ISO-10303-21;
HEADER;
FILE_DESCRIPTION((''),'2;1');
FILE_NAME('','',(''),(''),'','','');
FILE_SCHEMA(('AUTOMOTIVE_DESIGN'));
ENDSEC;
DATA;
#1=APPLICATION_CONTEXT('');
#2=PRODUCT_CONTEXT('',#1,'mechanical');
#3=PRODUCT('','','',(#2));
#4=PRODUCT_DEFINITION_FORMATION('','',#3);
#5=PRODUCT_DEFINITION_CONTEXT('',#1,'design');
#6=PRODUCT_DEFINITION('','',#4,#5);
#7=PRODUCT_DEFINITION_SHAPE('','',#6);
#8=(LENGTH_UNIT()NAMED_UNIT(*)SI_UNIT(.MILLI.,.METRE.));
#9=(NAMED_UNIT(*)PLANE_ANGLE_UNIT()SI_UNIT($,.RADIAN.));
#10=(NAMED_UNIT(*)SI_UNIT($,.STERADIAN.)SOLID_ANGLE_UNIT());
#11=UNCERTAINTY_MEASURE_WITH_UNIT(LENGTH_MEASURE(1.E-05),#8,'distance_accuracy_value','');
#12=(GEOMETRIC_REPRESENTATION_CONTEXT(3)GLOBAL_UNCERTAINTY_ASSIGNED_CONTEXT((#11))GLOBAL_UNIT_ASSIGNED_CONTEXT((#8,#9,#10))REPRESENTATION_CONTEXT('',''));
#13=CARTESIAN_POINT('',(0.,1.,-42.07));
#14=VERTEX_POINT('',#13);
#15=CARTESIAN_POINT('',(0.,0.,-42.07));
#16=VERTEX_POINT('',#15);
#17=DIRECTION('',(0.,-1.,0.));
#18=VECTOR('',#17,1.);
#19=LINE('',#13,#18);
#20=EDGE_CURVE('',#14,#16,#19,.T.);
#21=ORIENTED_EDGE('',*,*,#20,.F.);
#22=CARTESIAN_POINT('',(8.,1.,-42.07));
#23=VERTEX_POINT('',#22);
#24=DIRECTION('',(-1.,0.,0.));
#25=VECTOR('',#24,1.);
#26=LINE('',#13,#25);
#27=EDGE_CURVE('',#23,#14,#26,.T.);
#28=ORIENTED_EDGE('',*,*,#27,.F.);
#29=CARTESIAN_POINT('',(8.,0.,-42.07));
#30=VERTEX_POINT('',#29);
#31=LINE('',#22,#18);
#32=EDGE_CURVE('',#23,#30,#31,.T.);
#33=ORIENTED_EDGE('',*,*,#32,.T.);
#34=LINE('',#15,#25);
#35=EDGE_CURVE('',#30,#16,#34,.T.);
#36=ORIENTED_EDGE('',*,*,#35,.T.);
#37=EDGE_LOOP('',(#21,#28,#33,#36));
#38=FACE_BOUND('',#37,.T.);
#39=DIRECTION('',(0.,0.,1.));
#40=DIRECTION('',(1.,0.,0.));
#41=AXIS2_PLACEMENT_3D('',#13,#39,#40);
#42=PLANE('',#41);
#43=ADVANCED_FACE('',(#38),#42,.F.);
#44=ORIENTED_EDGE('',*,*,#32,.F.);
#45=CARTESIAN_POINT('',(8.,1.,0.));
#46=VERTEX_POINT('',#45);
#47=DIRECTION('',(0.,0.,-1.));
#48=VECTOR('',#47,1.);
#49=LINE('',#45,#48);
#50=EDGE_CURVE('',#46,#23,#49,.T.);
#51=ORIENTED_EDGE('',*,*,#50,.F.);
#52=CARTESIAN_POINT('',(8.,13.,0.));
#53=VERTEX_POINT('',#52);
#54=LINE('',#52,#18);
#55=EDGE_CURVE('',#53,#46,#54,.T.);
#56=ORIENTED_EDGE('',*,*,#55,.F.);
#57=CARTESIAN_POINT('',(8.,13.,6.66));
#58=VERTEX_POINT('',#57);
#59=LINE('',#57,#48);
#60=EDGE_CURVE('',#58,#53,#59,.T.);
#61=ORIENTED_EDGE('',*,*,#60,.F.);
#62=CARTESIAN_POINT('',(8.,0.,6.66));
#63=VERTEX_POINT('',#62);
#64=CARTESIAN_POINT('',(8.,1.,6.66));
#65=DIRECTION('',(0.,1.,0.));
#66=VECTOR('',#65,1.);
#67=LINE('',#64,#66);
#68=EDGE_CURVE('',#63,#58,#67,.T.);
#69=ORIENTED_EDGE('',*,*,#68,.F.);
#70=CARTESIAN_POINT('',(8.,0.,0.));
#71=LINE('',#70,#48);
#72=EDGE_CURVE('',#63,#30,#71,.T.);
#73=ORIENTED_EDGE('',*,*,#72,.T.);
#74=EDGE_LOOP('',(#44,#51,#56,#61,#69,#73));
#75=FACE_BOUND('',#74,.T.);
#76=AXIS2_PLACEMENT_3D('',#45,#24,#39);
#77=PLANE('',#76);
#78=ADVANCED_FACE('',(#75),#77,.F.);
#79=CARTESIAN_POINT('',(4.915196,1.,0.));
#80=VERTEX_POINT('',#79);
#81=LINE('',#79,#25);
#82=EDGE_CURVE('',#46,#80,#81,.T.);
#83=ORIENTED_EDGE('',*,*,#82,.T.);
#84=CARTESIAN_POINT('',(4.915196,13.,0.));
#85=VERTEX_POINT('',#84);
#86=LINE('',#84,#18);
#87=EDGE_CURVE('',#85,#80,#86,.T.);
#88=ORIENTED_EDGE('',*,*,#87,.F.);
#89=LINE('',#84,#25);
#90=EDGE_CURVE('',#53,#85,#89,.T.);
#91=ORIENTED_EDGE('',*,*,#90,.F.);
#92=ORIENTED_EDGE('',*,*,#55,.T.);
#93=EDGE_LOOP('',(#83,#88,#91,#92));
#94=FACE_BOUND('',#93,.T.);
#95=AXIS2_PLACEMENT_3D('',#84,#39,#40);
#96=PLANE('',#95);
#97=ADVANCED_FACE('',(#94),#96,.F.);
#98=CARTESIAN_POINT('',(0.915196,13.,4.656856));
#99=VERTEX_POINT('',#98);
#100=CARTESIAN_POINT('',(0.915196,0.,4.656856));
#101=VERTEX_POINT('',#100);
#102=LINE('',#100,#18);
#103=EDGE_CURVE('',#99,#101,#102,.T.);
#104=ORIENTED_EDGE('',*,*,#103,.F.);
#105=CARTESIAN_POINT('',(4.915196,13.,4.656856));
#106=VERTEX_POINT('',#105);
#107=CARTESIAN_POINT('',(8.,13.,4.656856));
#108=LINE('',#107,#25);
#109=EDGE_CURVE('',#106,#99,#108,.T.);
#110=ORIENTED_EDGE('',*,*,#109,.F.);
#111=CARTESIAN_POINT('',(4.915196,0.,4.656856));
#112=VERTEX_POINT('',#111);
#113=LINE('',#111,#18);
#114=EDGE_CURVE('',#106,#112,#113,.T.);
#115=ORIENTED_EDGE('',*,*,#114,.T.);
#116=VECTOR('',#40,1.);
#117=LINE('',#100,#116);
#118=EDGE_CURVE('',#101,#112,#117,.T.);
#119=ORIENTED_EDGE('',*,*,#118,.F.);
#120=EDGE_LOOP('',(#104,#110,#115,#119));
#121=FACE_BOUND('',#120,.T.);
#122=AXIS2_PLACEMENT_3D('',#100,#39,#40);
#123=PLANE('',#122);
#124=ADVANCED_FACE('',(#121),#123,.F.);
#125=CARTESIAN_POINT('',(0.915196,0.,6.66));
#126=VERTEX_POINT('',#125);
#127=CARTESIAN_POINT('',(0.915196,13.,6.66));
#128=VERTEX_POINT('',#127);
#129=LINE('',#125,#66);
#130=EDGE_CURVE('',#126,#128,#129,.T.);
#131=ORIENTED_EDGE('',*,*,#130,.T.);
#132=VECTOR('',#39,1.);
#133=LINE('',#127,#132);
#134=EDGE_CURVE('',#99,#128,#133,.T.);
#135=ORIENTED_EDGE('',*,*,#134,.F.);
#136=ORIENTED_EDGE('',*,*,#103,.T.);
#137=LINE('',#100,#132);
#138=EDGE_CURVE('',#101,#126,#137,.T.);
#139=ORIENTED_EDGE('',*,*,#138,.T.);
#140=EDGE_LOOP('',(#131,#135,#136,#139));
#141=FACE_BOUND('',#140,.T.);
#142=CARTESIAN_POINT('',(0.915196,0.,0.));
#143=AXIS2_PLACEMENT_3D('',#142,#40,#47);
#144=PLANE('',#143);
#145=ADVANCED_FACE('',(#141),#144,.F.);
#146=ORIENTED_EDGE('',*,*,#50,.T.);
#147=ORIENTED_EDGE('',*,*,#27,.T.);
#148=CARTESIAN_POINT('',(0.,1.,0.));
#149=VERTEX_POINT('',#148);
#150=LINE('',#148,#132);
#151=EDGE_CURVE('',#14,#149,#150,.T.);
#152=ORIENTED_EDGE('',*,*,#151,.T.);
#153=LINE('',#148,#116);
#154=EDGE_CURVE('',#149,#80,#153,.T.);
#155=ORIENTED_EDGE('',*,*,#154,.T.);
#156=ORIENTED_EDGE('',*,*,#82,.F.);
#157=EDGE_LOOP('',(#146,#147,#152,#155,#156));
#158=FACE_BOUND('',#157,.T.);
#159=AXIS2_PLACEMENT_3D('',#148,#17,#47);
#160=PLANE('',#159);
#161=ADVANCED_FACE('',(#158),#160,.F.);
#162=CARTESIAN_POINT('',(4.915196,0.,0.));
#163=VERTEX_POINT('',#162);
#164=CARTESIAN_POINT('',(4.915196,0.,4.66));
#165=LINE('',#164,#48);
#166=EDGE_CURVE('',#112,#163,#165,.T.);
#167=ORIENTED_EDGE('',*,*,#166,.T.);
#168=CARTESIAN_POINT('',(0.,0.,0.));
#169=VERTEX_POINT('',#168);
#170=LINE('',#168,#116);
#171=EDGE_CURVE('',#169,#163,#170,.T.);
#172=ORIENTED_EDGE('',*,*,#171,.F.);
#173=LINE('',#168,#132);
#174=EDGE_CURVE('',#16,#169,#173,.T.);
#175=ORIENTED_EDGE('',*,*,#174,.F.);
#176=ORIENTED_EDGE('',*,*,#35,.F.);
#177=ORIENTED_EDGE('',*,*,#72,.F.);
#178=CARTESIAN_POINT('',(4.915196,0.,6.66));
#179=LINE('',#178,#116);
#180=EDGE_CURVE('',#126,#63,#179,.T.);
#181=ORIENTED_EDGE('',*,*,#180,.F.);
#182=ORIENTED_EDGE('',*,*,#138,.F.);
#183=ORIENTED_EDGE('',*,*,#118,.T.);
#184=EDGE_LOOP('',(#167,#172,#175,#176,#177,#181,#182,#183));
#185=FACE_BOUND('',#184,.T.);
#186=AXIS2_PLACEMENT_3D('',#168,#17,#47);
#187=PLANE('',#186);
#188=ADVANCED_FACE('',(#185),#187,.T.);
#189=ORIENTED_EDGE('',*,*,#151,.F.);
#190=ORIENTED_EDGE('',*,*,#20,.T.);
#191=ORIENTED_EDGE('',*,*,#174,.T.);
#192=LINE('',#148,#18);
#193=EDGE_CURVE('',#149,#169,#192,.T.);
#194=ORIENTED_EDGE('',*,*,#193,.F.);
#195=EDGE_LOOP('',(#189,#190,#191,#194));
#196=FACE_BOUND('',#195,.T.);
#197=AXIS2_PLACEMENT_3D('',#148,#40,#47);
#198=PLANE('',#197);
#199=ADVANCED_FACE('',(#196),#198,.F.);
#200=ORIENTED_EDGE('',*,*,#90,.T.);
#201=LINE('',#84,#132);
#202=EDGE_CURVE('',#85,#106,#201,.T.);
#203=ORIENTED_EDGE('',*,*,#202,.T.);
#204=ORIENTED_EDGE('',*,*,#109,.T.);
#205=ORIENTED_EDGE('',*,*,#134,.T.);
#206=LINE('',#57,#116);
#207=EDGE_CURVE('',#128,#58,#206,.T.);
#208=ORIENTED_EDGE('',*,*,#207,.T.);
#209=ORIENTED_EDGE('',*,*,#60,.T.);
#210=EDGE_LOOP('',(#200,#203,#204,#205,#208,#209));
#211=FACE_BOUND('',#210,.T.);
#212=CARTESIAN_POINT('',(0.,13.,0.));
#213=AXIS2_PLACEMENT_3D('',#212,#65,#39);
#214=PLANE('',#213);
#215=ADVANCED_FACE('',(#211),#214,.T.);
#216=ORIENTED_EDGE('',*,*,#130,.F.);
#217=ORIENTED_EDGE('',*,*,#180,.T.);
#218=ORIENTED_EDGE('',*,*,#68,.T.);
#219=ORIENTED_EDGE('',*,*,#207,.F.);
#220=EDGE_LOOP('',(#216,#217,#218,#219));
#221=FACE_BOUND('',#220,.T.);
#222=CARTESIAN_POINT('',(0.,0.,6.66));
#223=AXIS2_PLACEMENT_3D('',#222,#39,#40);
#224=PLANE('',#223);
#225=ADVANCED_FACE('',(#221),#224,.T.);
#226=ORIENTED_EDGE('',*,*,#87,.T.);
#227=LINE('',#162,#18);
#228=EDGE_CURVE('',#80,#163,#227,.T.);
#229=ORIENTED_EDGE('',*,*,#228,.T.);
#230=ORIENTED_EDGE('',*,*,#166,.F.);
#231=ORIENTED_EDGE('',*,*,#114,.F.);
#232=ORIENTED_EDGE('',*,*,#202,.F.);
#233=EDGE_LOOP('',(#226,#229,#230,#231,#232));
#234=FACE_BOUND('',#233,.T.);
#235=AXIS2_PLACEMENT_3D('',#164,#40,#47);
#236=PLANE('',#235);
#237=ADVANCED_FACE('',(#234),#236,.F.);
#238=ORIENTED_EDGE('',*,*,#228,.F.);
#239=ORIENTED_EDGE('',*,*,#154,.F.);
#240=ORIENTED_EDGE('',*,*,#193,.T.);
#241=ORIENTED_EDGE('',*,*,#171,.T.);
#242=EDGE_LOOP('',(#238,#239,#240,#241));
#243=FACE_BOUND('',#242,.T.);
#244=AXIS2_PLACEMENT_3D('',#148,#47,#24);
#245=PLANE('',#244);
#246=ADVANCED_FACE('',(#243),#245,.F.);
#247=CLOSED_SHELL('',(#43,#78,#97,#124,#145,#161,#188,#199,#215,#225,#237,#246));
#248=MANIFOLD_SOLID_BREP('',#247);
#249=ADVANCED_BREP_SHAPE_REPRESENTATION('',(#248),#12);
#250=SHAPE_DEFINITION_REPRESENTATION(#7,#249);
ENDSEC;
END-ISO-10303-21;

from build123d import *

# Parameters (mm, degrees)
SCHIZZO1_W                   = 8
SCHIZZO1_H                   = 42.07
ESTRUSIONE_ESTRUSIONE1_DEPTH = 1
SCHIZZO2_W                   = 3.084803914
SCHIZZO2_H                   = 1
ESTRUSIONE_ESTRUSIONE2_DEPTH = 4.66
SCHIZZO3_W                   = 3.084803914
SCHIZZO3_H                   = 1
ESTRUSIONE_ESTRUSIONE3_DEPTH = 2
SCHIZZO4_W                   = 2.003143521
SCHIZZO4_H                   = 1
ESTRUSIONE_ESTRUSIONE4_DEPTH = 4
SCHIZZO5_W                   = 7.084803914
SCHIZZO5_H                   = 2.003143521
ESTRUSIONE_ESTRUSIONE5_DEPTH = 12
SCHIZZO7_W                   = 3.084803914
SCHIZZO7_H                   = 4.656856479
ESTRUSIONE_ESTRUSIONE7_DEPTH = 12


with BuildPart() as part:
    # Schizzo1 → Estrusione-Estrusione1 (new body)
    with BuildSketch(Plane(origin=(0, 0, 0), x_dir=(1, 0, 0), z_dir=(0, 1, 0))):
        with Locations((4, 21.035)):
            Rectangle(SCHIZZO1_W, SCHIZZO1_H)
    extrude(amount=ESTRUSIONE_ESTRUSIONE1_DEPTH)

    # Schizzo2 → Estrusione-Estrusione2 (add)
    with BuildSketch(Plane.XY):
        with Locations((6.457598043, 0.5)):
            Rectangle(SCHIZZO2_W, SCHIZZO2_H)
    extrude(amount=ESTRUSIONE_ESTRUSIONE2_DEPTH)

    # Schizzo3 → Estrusione-Estrusione3 (add)
    with BuildSketch(Plane.XY.offset(4.66)):
        with Locations((6.457598043, 0.5)):
            Rectangle(SCHIZZO3_W, SCHIZZO3_H)
    extrude(amount=ESTRUSIONE_ESTRUSIONE3_DEPTH)

    # Schizzo4 → Estrusione-Estrusione4 (add)
    with BuildSketch(Plane.ZY.offset(-4.915196086)):
        with Locations((5.65842824, 0.5)):
            Rectangle(SCHIZZO4_W, SCHIZZO4_H)
    extrude(amount=ESTRUSIONE_ESTRUSIONE4_DEPTH)

    # Schizzo5 → Estrusione-Estrusione5 (add)
    with BuildSketch(Plane(origin=(0, 1, 0), x_dir=(1, 0, 0), z_dir=(0, 1, 0))):
        with Locations((4.457598043, -5.65842824)):
            Rectangle(SCHIZZO5_W, SCHIZZO5_H)
    extrude(amount=ESTRUSIONE_ESTRUSIONE5_DEPTH)

    # Schizzo7 → Estrusione-Estrusione7 (add)
    with BuildSketch(Plane(origin=(0, 1, 0), x_dir=(1, 0, 0), z_dir=(0, 1, 0))):
        with Locations((6.457598043, -2.328428239)):
            Rectangle(SCHIZZO7_W, SCHIZZO7_H)
    extrude(amount=ESTRUSIONE_ESTRUSIONE7_DEPTH)


solid = part.part
